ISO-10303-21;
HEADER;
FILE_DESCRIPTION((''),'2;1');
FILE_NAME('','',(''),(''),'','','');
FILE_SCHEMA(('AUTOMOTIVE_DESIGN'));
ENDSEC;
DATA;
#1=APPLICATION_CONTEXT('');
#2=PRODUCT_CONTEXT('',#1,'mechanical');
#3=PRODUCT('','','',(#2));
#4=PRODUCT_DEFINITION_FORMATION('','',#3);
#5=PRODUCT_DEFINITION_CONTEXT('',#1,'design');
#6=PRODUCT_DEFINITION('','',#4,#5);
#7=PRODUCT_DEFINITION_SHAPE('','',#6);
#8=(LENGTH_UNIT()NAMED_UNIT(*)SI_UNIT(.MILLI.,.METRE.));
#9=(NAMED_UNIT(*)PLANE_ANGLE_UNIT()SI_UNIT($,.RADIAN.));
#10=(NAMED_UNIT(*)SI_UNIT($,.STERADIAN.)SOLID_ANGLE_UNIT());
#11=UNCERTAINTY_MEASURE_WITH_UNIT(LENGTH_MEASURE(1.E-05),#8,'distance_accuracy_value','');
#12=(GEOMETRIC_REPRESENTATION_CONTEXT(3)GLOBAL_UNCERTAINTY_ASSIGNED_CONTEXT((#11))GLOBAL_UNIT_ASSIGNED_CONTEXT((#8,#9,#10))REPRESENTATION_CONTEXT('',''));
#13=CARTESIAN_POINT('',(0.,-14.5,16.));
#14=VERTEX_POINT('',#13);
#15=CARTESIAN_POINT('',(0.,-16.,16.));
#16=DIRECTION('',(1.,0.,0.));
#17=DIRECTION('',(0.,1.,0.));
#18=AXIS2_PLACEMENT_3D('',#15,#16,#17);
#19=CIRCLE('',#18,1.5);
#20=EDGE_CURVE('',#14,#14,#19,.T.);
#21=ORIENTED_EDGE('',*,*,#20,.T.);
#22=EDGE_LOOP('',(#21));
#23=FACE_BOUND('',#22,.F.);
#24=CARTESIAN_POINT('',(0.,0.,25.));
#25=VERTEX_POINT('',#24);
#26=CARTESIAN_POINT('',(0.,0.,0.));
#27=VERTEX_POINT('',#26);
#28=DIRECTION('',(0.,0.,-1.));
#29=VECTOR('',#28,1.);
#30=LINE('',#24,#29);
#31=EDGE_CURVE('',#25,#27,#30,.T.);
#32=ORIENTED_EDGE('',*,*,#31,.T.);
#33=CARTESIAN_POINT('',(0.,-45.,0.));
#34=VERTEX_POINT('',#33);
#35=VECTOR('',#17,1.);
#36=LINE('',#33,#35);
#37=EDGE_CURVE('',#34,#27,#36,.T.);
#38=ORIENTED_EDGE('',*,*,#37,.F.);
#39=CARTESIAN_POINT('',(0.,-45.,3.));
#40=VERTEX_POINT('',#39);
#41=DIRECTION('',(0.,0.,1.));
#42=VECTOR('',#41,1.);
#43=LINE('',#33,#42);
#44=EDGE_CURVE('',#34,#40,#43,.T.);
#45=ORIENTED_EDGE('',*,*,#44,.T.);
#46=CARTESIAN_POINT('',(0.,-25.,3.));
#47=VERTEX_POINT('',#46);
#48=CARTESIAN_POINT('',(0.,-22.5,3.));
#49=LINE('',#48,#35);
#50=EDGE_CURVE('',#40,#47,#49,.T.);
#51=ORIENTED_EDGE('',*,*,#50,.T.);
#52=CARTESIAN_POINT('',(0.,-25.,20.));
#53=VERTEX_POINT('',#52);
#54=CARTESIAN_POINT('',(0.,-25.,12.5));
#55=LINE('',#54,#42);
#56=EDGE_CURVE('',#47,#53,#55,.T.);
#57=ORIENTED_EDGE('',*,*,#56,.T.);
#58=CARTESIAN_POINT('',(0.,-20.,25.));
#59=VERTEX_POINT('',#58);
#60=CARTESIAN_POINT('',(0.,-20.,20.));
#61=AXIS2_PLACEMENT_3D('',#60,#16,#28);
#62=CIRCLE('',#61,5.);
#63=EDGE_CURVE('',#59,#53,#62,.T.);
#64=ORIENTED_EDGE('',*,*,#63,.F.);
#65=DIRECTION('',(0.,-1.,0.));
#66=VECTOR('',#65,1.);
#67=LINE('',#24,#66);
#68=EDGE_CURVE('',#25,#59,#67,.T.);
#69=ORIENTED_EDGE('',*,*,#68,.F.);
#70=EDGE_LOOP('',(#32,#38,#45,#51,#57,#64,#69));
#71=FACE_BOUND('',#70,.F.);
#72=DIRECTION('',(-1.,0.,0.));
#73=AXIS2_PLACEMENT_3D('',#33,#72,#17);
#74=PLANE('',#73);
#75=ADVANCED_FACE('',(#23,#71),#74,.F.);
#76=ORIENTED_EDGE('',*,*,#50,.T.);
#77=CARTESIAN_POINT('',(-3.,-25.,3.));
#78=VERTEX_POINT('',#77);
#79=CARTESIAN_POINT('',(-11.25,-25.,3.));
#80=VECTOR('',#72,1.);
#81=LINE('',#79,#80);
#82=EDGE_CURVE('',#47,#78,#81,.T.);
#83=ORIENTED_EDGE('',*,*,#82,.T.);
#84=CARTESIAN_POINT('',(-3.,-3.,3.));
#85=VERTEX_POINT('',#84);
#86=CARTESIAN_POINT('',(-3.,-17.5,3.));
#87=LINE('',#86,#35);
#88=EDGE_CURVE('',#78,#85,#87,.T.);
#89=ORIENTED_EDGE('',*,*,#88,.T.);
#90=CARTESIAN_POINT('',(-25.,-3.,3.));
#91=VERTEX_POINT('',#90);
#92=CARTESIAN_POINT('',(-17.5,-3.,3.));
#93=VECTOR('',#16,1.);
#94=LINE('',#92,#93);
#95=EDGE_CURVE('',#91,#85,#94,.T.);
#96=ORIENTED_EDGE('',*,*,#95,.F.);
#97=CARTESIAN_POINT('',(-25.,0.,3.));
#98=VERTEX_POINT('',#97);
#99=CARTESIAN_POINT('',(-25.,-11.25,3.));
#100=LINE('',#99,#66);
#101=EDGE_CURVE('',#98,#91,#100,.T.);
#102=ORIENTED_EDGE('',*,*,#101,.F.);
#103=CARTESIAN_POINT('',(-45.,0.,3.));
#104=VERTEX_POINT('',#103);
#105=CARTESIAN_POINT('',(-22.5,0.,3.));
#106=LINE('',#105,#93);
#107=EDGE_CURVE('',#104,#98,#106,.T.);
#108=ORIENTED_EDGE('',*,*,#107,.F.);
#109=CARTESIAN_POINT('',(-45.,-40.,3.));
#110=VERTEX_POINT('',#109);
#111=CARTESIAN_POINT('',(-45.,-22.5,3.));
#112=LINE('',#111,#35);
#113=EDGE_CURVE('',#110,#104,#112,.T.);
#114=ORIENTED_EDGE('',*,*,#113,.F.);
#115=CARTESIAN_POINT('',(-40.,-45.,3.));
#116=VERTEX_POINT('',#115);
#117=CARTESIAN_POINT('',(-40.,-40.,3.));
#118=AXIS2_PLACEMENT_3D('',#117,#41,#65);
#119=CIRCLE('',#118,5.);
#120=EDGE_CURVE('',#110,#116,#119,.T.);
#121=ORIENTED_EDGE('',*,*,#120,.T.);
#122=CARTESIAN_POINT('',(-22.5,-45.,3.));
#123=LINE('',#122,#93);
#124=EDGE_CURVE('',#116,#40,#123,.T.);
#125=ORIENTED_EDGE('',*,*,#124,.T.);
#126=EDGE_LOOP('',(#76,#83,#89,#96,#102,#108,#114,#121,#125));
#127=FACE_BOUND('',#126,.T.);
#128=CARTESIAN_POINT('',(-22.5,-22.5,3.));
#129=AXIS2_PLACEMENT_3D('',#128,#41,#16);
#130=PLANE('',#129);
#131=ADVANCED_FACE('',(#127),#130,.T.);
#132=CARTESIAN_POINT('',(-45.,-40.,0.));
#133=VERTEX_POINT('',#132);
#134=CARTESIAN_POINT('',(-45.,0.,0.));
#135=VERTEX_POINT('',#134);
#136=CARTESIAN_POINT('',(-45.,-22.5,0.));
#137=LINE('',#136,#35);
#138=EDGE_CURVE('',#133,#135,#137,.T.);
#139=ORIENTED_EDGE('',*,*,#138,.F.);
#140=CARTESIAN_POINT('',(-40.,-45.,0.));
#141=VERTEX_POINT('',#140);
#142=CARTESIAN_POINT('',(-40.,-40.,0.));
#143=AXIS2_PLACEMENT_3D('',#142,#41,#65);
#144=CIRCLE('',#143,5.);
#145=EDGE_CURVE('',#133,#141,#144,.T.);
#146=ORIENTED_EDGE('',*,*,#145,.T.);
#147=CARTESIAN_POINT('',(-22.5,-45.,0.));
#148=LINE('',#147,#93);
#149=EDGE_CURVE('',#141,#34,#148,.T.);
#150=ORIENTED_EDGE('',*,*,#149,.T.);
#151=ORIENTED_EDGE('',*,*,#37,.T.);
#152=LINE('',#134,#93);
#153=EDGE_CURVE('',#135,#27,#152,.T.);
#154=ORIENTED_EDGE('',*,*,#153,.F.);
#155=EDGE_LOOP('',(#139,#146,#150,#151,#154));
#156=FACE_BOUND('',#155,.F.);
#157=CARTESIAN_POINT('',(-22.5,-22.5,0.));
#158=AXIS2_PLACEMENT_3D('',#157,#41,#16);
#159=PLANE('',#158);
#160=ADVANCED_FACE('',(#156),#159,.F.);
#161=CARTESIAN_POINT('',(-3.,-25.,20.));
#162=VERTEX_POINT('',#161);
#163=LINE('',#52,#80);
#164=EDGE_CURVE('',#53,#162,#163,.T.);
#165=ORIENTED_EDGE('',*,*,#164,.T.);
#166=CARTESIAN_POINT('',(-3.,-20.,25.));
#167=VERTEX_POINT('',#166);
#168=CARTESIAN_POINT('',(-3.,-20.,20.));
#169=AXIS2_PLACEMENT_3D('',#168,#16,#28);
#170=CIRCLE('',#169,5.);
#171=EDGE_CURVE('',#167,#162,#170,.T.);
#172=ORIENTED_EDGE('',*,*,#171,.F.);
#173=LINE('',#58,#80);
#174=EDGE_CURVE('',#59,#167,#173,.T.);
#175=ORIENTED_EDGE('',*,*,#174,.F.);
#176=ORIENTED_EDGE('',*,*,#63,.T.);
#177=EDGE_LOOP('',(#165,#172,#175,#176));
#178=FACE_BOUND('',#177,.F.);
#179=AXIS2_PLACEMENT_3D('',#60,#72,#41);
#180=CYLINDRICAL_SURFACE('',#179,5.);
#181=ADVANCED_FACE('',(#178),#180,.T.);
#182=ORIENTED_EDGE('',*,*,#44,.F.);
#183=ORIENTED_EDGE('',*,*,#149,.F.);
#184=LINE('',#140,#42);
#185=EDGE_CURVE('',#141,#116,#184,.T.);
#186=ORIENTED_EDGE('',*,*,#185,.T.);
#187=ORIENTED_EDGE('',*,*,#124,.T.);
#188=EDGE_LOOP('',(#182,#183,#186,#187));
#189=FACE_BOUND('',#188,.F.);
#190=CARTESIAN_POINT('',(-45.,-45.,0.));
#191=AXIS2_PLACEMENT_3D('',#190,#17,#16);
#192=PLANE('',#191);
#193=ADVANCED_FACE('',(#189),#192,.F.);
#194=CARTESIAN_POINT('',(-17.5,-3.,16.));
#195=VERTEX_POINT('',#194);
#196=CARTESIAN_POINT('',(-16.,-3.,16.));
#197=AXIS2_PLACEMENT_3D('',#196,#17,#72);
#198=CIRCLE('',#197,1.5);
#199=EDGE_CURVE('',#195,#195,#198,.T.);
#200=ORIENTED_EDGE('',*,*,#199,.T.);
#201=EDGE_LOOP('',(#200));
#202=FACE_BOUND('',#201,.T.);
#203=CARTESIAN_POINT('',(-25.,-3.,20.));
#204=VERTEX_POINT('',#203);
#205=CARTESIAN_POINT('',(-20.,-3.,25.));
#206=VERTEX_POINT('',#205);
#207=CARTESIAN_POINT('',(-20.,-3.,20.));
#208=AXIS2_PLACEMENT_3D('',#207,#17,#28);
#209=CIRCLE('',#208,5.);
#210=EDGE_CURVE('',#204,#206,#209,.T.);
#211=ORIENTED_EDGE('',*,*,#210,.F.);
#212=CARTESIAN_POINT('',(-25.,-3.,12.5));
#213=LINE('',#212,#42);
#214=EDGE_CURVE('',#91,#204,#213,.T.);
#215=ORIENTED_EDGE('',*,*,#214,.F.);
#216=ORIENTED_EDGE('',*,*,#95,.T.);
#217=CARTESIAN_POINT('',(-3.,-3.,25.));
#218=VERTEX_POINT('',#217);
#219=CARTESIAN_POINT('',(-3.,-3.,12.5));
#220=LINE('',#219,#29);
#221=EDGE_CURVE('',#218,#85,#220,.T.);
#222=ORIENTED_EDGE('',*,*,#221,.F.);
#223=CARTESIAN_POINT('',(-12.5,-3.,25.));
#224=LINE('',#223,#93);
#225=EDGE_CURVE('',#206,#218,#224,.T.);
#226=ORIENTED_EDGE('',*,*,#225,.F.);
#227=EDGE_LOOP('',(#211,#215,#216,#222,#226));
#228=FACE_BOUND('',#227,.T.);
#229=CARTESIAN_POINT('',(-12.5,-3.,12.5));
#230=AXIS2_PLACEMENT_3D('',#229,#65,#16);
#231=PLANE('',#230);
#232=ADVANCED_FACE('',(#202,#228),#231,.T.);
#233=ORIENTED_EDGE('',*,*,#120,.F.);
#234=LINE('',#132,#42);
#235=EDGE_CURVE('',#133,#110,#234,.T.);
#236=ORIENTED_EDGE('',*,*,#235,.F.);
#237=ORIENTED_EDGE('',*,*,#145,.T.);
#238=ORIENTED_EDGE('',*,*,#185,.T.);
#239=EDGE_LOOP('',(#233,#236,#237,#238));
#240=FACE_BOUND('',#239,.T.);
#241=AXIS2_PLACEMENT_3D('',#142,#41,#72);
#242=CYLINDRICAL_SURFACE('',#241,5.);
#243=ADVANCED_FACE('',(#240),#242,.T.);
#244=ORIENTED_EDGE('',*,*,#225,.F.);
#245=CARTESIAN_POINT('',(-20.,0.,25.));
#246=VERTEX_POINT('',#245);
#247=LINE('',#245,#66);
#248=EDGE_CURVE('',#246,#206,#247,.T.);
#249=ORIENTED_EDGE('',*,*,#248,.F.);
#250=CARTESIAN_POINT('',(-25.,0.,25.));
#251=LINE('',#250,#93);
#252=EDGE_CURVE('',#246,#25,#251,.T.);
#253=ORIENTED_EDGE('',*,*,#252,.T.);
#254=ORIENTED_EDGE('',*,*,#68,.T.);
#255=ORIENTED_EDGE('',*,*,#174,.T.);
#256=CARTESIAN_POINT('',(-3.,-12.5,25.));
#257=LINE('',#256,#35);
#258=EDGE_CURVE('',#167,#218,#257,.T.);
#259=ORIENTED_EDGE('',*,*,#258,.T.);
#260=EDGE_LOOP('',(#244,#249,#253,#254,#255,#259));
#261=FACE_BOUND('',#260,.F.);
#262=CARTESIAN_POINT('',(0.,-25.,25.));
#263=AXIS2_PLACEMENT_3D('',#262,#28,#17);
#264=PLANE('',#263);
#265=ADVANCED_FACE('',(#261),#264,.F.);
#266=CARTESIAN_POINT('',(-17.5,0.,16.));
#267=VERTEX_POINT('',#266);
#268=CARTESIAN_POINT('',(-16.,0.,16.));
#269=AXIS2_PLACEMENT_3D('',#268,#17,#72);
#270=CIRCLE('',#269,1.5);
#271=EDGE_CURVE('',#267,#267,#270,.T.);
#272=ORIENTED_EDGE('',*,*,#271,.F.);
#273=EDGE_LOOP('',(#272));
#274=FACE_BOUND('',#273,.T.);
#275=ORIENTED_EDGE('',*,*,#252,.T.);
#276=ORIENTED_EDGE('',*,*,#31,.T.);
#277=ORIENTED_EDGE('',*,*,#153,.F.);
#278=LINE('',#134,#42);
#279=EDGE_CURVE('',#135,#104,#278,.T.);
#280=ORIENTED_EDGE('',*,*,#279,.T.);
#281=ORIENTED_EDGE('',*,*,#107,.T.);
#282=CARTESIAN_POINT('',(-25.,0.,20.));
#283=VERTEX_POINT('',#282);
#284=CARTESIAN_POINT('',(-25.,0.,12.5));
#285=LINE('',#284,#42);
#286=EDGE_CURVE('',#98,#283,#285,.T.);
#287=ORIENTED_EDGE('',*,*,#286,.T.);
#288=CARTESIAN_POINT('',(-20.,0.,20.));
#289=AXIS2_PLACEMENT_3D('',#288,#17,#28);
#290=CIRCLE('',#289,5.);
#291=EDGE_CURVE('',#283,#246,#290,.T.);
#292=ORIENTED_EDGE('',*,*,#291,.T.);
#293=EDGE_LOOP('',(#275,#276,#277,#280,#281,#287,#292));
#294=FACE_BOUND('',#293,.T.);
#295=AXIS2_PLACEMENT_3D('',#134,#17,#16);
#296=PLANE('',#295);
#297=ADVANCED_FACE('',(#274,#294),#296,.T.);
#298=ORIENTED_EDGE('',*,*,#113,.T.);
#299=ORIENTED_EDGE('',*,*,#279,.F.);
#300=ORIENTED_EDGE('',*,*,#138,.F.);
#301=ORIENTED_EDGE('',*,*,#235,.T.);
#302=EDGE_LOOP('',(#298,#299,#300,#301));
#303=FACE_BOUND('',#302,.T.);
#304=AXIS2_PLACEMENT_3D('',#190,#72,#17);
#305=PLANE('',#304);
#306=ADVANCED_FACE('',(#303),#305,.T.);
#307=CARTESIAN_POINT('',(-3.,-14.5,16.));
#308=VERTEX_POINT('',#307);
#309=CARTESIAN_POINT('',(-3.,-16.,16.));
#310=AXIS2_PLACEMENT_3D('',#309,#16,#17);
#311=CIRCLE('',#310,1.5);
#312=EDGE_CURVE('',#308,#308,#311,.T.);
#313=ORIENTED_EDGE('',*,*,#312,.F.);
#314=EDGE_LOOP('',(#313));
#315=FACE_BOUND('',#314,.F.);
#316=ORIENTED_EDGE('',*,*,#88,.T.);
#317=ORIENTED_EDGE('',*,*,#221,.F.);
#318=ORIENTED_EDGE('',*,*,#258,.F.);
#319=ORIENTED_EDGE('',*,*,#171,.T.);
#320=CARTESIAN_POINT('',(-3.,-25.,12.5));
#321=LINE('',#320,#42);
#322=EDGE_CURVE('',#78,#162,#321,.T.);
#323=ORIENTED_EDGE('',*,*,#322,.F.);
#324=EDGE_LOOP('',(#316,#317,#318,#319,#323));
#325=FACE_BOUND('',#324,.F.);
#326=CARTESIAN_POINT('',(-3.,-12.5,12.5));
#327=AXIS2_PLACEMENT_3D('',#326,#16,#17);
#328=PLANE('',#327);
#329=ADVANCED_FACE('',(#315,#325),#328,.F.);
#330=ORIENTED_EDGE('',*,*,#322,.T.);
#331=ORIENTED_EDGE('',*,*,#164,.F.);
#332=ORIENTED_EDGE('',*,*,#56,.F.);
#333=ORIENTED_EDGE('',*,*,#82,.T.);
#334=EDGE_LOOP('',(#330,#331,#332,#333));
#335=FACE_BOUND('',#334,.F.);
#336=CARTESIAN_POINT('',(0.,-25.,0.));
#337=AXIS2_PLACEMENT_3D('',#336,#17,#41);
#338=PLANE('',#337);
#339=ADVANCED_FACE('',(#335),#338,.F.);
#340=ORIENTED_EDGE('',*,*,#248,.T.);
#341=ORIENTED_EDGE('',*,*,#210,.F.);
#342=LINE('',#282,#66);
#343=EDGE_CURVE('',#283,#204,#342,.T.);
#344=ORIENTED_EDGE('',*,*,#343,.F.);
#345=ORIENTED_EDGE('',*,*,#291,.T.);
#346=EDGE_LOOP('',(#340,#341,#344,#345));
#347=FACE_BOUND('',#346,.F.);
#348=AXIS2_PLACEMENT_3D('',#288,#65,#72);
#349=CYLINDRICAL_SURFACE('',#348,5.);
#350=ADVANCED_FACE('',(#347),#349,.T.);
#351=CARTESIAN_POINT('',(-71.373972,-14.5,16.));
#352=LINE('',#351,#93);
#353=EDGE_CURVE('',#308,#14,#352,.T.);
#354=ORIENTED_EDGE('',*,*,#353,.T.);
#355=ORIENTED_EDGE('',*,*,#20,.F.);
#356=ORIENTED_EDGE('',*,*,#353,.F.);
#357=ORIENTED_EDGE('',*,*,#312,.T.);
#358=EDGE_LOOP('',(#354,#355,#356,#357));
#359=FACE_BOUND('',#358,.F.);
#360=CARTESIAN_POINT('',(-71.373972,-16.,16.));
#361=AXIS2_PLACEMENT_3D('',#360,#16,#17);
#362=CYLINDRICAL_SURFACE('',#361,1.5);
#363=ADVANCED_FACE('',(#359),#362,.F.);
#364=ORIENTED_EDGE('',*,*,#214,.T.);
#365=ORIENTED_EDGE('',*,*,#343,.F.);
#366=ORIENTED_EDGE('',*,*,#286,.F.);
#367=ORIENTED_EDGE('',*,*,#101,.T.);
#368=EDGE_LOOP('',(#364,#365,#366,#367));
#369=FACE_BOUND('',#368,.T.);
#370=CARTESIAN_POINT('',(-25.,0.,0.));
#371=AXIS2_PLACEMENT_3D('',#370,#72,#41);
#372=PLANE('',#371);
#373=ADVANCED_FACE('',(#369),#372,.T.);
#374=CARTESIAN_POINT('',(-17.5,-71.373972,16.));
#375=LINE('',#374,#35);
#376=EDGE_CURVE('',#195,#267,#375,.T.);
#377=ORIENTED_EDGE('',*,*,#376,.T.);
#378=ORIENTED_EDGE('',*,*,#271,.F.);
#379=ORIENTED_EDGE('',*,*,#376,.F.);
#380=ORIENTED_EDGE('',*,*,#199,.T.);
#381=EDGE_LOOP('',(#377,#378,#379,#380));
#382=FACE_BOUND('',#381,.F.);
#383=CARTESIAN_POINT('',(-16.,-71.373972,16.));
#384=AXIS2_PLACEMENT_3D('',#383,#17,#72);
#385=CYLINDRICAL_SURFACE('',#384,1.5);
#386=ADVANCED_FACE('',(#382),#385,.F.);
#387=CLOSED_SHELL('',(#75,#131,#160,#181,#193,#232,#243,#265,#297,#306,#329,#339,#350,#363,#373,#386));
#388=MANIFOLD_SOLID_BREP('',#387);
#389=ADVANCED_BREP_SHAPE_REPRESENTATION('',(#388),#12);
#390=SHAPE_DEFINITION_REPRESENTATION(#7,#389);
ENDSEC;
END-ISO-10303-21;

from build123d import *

# Parameters (mm, degrees)
F0_W     = 45
F0_H     = 45
F3_DEPTH = 3
F4_R     = 5
F1_W     = 25
F1_H     = 25
F5_DEPTH = 3
F6_R     = 5
F2_W     = 25
F2_H     = 25
F7_DEPTH = 3
F8_R     = 5
F10_D    = 3
F12_D    = 3


with BuildPart() as f3:
    # F0 (on Top) → F3 (new body)
    with BuildSketch(Plane.XY):
        with Locations((-22.5, -22.5)):
            Rectangle(F0_W, F0_H)
    extrude(amount=F3_DEPTH)

    # F4
    f4_edges = [f3.edges().sort_by_distance(p)[0] for p in [
        (-45, -45, 1.5),
    ]]
    fillet(f4_edges, radius=F4_R)

    # F1 (on Right) → F5 (join)
    with BuildSketch(Plane.YZ):
        with Locations((-12.5, 12.5)):
            Rectangle(F1_W, F1_H)
    extrude(amount=-F5_DEPTH)

    # F6
    f6_edges = [f3.edges().sort_by_distance(p)[0] for p in [
        (-1.5, -25, 25),
    ]]
    fillet(f6_edges, radius=F6_R)

    # F2 (on Front) → F7 (join)
    with BuildSketch(Plane.XZ):
        with Locations((-12.5, 12.5)):
            Rectangle(F2_W, F2_H)
    extrude(amount=F7_DEPTH)

    # F8
    f8_edges = [f3.edges().sort_by_distance(p)[0] for p in [
        (-25, -1.5, 25),
    ]]
    fillet(f8_edges, radius=F8_R)

    # F10 (through all)
    with Locations(Plane.XZ.offset(3)):
        with Locations((-16, 16)):
            Hole(F10_D / 2)

    # F12 (through all)
    with Locations(Plane(origin=(-3, 0, 0), x_dir=(0, -1, 0), z_dir=(-1, 0, 0))):
        with Locations((16, 16)):
            Hole(F12_D / 2)


solid = f3.part
